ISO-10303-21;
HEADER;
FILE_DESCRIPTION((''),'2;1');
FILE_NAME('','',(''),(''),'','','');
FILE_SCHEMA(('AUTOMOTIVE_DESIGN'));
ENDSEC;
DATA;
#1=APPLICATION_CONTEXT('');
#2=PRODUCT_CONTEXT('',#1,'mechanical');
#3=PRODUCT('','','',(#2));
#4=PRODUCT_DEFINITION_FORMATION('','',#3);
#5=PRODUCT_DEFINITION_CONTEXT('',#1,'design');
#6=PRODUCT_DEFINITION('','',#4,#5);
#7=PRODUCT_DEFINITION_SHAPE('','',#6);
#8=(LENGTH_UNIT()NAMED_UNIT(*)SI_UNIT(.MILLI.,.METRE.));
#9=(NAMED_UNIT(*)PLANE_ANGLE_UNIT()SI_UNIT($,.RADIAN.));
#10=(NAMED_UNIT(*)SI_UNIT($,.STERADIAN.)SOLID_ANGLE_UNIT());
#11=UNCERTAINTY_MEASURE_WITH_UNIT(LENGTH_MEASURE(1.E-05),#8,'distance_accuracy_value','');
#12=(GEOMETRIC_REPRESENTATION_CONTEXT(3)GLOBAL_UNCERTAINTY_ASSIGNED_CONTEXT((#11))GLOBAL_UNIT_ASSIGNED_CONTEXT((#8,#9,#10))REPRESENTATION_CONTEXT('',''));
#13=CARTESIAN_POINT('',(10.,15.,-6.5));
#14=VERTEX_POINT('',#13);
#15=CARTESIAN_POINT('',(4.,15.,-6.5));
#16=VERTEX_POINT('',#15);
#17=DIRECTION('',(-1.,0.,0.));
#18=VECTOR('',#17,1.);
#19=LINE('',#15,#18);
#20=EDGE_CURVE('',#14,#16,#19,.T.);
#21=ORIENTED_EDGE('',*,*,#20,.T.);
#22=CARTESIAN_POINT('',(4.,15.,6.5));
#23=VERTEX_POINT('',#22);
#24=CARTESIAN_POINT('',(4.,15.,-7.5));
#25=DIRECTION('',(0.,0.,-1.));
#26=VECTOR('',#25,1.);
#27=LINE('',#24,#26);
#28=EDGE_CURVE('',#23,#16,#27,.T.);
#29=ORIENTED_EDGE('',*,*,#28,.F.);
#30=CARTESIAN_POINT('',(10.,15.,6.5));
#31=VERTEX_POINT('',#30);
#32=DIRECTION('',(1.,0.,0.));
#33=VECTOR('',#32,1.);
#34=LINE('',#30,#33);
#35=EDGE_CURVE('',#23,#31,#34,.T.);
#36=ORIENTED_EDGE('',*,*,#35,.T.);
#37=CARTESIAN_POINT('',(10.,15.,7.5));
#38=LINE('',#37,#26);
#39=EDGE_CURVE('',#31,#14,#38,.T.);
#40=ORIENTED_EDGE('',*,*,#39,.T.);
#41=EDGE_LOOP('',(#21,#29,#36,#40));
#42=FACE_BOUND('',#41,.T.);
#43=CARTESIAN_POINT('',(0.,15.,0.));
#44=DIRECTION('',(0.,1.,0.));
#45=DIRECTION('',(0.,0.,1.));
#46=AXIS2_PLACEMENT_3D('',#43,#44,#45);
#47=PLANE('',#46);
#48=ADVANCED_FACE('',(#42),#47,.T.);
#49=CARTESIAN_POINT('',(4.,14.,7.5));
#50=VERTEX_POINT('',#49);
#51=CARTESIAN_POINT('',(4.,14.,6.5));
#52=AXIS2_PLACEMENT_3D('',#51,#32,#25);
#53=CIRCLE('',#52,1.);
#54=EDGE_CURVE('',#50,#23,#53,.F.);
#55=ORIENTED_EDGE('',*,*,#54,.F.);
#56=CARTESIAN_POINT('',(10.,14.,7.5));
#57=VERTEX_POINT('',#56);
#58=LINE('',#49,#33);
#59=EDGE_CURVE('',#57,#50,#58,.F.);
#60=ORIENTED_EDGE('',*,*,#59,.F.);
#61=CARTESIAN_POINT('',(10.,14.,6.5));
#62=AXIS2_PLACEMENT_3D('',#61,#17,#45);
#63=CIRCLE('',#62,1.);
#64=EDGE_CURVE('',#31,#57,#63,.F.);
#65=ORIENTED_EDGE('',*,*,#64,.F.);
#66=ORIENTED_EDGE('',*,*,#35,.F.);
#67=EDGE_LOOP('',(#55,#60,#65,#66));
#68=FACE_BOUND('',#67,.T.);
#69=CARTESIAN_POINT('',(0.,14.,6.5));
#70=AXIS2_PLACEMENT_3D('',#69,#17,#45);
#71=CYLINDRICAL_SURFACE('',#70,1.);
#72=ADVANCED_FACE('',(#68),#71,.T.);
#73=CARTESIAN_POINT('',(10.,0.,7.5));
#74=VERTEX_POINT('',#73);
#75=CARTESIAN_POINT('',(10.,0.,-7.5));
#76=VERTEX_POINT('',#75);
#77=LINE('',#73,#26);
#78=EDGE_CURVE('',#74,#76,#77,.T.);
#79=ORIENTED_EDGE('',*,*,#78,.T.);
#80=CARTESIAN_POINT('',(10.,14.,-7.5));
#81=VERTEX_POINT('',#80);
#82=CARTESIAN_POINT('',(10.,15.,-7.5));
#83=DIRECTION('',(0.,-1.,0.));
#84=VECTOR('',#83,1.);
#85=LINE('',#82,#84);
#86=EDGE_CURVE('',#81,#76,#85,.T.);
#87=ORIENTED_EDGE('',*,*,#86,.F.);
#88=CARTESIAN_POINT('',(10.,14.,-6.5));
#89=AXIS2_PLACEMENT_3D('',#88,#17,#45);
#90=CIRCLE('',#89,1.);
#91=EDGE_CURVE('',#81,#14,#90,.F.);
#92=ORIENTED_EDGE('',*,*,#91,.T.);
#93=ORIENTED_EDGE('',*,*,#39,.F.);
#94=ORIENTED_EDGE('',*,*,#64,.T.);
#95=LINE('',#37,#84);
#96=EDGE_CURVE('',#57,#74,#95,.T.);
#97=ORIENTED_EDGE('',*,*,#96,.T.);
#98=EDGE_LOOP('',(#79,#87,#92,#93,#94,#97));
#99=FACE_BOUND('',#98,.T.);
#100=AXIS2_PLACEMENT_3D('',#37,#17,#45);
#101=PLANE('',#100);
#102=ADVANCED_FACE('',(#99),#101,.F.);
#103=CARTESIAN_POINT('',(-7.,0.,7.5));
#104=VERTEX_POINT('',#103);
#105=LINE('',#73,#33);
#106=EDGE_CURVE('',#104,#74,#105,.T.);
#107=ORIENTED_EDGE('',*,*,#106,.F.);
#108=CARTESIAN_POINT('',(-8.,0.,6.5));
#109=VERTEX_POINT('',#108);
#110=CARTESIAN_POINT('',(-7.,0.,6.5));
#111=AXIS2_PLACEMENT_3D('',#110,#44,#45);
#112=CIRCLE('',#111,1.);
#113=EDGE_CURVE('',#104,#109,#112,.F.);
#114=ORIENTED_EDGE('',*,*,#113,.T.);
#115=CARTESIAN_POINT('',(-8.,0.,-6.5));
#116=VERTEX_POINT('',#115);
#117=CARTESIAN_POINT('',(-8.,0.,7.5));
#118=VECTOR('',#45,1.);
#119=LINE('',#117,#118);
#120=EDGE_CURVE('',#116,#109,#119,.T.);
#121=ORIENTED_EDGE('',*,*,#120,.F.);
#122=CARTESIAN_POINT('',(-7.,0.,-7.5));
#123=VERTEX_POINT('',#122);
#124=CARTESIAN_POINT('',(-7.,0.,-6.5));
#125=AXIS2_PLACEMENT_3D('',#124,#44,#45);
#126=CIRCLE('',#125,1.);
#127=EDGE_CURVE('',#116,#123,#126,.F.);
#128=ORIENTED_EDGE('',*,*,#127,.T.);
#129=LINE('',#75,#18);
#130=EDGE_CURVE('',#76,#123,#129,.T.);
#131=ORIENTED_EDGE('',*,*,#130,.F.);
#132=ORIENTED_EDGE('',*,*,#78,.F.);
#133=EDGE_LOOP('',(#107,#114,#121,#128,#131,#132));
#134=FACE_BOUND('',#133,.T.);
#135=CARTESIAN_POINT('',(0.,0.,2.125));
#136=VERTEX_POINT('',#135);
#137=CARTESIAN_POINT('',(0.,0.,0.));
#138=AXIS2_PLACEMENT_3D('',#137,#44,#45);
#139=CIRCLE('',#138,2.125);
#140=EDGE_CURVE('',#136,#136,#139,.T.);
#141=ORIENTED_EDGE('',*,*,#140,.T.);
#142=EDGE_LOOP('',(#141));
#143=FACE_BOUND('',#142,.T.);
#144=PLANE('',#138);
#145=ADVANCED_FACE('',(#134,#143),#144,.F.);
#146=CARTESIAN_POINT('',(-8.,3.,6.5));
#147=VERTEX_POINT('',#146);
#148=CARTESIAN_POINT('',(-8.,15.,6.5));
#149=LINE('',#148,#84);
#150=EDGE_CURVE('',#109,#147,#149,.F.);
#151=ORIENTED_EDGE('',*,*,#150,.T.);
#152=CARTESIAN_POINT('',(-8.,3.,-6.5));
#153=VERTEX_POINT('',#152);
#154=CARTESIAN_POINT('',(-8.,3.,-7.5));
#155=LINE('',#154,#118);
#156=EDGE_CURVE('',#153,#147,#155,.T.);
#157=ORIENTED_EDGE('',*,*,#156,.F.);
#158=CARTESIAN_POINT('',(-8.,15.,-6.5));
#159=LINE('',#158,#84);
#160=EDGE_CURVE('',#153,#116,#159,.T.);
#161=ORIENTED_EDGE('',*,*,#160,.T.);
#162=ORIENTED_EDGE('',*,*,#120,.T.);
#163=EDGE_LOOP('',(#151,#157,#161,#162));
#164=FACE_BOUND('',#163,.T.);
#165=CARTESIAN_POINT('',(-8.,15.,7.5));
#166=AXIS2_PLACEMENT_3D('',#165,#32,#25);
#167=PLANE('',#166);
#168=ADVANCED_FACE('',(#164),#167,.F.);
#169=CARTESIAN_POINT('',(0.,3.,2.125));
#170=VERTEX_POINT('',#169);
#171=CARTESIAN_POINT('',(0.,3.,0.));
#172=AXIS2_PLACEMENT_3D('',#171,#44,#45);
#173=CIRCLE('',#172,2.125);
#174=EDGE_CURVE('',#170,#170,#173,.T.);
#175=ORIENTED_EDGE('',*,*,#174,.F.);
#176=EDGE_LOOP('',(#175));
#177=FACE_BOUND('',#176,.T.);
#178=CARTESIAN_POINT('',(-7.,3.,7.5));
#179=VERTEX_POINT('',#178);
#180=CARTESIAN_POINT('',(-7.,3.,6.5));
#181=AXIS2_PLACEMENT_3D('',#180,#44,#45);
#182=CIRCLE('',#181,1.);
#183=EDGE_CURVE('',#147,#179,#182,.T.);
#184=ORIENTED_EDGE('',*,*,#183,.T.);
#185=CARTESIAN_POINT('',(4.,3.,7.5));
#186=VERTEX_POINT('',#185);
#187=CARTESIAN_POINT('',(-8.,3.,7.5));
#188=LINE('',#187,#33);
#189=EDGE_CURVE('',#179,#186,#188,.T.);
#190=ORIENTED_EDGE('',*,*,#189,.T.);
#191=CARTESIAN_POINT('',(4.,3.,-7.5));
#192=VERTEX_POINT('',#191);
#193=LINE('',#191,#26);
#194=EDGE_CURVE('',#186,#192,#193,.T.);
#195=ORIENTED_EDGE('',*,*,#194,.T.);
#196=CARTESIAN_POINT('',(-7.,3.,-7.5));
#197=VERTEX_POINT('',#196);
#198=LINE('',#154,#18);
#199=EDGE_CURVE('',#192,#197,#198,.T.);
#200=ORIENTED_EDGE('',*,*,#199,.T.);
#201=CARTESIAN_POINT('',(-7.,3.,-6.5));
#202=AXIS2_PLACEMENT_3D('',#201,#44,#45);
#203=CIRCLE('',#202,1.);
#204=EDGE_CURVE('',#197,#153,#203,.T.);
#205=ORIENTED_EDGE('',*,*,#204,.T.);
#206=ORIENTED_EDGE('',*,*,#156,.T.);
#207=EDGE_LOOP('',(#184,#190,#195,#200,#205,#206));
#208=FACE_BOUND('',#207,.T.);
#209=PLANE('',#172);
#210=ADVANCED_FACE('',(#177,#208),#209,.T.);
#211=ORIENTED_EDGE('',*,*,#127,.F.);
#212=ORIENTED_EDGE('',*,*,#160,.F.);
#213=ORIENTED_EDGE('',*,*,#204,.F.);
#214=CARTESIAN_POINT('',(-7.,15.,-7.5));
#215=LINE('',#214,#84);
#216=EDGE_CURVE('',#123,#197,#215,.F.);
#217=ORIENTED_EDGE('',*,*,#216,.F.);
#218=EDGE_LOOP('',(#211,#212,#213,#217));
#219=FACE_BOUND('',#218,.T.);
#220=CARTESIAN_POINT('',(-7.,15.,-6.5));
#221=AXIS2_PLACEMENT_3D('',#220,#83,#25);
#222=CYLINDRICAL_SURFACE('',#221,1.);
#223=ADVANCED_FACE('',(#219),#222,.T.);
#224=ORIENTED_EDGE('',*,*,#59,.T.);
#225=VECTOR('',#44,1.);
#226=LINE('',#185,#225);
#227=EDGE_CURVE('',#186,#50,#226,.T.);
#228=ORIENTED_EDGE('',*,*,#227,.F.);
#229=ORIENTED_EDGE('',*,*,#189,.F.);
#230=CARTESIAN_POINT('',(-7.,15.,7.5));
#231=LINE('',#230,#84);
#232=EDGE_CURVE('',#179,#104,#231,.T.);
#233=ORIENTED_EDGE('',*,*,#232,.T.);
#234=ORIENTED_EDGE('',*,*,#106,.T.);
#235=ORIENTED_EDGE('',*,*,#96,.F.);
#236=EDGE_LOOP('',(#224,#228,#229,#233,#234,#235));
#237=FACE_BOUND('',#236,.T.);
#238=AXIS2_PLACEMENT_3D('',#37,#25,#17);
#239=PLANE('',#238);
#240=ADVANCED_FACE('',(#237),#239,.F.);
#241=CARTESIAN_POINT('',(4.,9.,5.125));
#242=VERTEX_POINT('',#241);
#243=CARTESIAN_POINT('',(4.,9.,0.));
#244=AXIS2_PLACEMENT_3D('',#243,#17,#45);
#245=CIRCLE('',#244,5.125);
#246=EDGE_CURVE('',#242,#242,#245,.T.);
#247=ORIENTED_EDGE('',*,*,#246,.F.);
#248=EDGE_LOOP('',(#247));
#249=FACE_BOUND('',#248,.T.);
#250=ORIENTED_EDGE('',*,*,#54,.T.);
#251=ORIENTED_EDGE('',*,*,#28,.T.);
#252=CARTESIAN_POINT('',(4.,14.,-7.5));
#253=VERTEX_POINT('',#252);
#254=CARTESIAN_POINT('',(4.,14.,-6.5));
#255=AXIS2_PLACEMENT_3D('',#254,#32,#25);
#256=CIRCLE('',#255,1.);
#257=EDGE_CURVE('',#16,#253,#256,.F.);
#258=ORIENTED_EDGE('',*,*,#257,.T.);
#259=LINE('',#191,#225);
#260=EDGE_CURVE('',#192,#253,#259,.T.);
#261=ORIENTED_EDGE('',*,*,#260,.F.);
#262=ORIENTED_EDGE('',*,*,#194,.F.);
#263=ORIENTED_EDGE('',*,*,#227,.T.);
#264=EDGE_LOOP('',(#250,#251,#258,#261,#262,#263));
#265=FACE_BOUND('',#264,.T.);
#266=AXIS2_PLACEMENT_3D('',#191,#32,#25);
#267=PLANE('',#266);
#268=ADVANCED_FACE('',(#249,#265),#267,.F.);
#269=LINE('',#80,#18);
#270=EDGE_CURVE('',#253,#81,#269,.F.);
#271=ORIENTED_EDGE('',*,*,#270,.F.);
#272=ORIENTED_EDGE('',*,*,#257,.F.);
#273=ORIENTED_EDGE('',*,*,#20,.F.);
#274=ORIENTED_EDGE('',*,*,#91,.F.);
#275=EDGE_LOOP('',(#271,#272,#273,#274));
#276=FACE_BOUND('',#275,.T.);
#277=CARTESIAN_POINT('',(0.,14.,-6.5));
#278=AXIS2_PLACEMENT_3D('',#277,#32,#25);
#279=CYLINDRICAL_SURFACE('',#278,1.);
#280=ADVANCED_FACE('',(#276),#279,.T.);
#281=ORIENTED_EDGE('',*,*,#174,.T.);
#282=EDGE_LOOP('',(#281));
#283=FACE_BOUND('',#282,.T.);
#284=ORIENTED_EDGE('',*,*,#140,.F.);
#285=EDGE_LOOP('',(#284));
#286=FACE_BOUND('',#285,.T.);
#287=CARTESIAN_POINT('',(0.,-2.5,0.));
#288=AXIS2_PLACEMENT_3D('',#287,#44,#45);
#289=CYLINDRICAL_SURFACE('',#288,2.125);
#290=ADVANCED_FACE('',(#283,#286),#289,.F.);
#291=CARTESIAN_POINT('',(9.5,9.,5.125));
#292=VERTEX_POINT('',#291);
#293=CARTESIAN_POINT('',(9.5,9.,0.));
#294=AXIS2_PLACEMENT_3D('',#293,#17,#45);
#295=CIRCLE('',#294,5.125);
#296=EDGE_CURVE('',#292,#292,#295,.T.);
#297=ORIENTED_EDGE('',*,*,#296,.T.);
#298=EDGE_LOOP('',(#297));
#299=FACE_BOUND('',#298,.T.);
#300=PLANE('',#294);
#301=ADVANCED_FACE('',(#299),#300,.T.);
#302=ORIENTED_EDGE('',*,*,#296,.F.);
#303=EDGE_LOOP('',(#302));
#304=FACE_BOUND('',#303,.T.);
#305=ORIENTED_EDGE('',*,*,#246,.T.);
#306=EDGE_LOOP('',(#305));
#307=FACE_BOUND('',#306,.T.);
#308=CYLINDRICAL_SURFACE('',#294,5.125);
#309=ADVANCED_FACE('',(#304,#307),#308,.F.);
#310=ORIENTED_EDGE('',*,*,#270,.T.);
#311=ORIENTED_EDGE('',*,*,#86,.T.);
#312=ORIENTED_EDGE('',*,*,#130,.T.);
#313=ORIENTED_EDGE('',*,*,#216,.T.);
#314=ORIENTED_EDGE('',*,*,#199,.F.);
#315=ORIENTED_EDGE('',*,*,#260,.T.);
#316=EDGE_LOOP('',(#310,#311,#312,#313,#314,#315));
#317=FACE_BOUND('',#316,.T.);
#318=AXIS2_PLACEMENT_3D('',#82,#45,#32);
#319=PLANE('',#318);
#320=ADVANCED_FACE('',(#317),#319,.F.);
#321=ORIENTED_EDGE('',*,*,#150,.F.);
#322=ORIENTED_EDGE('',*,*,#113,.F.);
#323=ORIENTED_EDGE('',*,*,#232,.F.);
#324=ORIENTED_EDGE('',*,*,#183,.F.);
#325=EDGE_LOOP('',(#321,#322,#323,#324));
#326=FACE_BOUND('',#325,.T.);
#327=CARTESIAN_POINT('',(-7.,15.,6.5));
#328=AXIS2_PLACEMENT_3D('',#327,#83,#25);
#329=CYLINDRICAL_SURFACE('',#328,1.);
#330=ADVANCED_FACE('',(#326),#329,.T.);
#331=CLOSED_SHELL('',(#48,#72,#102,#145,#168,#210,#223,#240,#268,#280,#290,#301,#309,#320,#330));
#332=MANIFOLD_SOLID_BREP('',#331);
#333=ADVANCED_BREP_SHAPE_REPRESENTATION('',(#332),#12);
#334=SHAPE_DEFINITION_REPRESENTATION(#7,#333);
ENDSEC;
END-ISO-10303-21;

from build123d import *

# Parameters (mm, degrees)
SKETCH_1_W          = 18
SKETCH_1_H          = 15
EXTRUDE_1_DEPTH     = 15
SKETCH_2_W          = 12
SKETCH_2_H          = 15
CUT_EXTRUDE_1_DEPTH = 12
FILLET_1_R          = 1
SKETCH_3_R          = 5.125
CUT_EXTRUDE_2_DEPTH = 5.5
SKETCH_4_R          = 2.125
CUT_EXTRUDE_3_DEPTH = 5.5


with BuildPart() as part:
    # 草圖1 → 填料-伸長1 (new body)
    with BuildSketch(Plane(origin=(0, 0, 0), x_dir=(1, 0, 0), z_dir=(0, 1, 0))):
        with Locations((1, 0)):
            Rectangle(SKETCH_1_W, SKETCH_1_H)
    extrude(amount=EXTRUDE_1_DEPTH)

    # 草圖2 → 除料-伸長1 (cut)
    with BuildSketch(Plane(origin=(0, 15, 0), x_dir=(1, 0, 0), z_dir=(0, 1, 0))):
        with Locations((-2, 0)):
            Rectangle(SKETCH_2_W, SKETCH_2_H)
    extrude(amount=-CUT_EXTRUDE_1_DEPTH, mode=Mode.SUBTRACT)

    # 圓角1
    fillet_1_edges = [part.edges().sort_by_distance(p)[0] for p in [
        (7, 15, 7.5),
        (-8, 1.5, -7.5),
        (-8, 1.5, 7.5),
        (7, 15, -7.5),
    ]]
    fillet(fillet_1_edges, radius=FILLET_1_R)

    # 草圖3 → 除料-伸長2 (cut)
    with BuildSketch(Plane.ZY.offset(-4)):
        with Locations((0, 9)):
            Circle(SKETCH_3_R)
    extrude(amount=-CUT_EXTRUDE_2_DEPTH, mode=Mode.SUBTRACT)

    # 草圖4 → 除料-伸長3 (cut)
    with BuildSketch(Plane(origin=(0, 3, 0), x_dir=(1, 0, 0), z_dir=(0, 1, 0))):
        with Locations(Location((0, 0, 0), (0, 0, 270))):
            Circle(SKETCH_4_R)
    extrude(amount=-CUT_EXTRUDE_3_DEPTH, mode=Mode.SUBTRACT)


solid = part.part
